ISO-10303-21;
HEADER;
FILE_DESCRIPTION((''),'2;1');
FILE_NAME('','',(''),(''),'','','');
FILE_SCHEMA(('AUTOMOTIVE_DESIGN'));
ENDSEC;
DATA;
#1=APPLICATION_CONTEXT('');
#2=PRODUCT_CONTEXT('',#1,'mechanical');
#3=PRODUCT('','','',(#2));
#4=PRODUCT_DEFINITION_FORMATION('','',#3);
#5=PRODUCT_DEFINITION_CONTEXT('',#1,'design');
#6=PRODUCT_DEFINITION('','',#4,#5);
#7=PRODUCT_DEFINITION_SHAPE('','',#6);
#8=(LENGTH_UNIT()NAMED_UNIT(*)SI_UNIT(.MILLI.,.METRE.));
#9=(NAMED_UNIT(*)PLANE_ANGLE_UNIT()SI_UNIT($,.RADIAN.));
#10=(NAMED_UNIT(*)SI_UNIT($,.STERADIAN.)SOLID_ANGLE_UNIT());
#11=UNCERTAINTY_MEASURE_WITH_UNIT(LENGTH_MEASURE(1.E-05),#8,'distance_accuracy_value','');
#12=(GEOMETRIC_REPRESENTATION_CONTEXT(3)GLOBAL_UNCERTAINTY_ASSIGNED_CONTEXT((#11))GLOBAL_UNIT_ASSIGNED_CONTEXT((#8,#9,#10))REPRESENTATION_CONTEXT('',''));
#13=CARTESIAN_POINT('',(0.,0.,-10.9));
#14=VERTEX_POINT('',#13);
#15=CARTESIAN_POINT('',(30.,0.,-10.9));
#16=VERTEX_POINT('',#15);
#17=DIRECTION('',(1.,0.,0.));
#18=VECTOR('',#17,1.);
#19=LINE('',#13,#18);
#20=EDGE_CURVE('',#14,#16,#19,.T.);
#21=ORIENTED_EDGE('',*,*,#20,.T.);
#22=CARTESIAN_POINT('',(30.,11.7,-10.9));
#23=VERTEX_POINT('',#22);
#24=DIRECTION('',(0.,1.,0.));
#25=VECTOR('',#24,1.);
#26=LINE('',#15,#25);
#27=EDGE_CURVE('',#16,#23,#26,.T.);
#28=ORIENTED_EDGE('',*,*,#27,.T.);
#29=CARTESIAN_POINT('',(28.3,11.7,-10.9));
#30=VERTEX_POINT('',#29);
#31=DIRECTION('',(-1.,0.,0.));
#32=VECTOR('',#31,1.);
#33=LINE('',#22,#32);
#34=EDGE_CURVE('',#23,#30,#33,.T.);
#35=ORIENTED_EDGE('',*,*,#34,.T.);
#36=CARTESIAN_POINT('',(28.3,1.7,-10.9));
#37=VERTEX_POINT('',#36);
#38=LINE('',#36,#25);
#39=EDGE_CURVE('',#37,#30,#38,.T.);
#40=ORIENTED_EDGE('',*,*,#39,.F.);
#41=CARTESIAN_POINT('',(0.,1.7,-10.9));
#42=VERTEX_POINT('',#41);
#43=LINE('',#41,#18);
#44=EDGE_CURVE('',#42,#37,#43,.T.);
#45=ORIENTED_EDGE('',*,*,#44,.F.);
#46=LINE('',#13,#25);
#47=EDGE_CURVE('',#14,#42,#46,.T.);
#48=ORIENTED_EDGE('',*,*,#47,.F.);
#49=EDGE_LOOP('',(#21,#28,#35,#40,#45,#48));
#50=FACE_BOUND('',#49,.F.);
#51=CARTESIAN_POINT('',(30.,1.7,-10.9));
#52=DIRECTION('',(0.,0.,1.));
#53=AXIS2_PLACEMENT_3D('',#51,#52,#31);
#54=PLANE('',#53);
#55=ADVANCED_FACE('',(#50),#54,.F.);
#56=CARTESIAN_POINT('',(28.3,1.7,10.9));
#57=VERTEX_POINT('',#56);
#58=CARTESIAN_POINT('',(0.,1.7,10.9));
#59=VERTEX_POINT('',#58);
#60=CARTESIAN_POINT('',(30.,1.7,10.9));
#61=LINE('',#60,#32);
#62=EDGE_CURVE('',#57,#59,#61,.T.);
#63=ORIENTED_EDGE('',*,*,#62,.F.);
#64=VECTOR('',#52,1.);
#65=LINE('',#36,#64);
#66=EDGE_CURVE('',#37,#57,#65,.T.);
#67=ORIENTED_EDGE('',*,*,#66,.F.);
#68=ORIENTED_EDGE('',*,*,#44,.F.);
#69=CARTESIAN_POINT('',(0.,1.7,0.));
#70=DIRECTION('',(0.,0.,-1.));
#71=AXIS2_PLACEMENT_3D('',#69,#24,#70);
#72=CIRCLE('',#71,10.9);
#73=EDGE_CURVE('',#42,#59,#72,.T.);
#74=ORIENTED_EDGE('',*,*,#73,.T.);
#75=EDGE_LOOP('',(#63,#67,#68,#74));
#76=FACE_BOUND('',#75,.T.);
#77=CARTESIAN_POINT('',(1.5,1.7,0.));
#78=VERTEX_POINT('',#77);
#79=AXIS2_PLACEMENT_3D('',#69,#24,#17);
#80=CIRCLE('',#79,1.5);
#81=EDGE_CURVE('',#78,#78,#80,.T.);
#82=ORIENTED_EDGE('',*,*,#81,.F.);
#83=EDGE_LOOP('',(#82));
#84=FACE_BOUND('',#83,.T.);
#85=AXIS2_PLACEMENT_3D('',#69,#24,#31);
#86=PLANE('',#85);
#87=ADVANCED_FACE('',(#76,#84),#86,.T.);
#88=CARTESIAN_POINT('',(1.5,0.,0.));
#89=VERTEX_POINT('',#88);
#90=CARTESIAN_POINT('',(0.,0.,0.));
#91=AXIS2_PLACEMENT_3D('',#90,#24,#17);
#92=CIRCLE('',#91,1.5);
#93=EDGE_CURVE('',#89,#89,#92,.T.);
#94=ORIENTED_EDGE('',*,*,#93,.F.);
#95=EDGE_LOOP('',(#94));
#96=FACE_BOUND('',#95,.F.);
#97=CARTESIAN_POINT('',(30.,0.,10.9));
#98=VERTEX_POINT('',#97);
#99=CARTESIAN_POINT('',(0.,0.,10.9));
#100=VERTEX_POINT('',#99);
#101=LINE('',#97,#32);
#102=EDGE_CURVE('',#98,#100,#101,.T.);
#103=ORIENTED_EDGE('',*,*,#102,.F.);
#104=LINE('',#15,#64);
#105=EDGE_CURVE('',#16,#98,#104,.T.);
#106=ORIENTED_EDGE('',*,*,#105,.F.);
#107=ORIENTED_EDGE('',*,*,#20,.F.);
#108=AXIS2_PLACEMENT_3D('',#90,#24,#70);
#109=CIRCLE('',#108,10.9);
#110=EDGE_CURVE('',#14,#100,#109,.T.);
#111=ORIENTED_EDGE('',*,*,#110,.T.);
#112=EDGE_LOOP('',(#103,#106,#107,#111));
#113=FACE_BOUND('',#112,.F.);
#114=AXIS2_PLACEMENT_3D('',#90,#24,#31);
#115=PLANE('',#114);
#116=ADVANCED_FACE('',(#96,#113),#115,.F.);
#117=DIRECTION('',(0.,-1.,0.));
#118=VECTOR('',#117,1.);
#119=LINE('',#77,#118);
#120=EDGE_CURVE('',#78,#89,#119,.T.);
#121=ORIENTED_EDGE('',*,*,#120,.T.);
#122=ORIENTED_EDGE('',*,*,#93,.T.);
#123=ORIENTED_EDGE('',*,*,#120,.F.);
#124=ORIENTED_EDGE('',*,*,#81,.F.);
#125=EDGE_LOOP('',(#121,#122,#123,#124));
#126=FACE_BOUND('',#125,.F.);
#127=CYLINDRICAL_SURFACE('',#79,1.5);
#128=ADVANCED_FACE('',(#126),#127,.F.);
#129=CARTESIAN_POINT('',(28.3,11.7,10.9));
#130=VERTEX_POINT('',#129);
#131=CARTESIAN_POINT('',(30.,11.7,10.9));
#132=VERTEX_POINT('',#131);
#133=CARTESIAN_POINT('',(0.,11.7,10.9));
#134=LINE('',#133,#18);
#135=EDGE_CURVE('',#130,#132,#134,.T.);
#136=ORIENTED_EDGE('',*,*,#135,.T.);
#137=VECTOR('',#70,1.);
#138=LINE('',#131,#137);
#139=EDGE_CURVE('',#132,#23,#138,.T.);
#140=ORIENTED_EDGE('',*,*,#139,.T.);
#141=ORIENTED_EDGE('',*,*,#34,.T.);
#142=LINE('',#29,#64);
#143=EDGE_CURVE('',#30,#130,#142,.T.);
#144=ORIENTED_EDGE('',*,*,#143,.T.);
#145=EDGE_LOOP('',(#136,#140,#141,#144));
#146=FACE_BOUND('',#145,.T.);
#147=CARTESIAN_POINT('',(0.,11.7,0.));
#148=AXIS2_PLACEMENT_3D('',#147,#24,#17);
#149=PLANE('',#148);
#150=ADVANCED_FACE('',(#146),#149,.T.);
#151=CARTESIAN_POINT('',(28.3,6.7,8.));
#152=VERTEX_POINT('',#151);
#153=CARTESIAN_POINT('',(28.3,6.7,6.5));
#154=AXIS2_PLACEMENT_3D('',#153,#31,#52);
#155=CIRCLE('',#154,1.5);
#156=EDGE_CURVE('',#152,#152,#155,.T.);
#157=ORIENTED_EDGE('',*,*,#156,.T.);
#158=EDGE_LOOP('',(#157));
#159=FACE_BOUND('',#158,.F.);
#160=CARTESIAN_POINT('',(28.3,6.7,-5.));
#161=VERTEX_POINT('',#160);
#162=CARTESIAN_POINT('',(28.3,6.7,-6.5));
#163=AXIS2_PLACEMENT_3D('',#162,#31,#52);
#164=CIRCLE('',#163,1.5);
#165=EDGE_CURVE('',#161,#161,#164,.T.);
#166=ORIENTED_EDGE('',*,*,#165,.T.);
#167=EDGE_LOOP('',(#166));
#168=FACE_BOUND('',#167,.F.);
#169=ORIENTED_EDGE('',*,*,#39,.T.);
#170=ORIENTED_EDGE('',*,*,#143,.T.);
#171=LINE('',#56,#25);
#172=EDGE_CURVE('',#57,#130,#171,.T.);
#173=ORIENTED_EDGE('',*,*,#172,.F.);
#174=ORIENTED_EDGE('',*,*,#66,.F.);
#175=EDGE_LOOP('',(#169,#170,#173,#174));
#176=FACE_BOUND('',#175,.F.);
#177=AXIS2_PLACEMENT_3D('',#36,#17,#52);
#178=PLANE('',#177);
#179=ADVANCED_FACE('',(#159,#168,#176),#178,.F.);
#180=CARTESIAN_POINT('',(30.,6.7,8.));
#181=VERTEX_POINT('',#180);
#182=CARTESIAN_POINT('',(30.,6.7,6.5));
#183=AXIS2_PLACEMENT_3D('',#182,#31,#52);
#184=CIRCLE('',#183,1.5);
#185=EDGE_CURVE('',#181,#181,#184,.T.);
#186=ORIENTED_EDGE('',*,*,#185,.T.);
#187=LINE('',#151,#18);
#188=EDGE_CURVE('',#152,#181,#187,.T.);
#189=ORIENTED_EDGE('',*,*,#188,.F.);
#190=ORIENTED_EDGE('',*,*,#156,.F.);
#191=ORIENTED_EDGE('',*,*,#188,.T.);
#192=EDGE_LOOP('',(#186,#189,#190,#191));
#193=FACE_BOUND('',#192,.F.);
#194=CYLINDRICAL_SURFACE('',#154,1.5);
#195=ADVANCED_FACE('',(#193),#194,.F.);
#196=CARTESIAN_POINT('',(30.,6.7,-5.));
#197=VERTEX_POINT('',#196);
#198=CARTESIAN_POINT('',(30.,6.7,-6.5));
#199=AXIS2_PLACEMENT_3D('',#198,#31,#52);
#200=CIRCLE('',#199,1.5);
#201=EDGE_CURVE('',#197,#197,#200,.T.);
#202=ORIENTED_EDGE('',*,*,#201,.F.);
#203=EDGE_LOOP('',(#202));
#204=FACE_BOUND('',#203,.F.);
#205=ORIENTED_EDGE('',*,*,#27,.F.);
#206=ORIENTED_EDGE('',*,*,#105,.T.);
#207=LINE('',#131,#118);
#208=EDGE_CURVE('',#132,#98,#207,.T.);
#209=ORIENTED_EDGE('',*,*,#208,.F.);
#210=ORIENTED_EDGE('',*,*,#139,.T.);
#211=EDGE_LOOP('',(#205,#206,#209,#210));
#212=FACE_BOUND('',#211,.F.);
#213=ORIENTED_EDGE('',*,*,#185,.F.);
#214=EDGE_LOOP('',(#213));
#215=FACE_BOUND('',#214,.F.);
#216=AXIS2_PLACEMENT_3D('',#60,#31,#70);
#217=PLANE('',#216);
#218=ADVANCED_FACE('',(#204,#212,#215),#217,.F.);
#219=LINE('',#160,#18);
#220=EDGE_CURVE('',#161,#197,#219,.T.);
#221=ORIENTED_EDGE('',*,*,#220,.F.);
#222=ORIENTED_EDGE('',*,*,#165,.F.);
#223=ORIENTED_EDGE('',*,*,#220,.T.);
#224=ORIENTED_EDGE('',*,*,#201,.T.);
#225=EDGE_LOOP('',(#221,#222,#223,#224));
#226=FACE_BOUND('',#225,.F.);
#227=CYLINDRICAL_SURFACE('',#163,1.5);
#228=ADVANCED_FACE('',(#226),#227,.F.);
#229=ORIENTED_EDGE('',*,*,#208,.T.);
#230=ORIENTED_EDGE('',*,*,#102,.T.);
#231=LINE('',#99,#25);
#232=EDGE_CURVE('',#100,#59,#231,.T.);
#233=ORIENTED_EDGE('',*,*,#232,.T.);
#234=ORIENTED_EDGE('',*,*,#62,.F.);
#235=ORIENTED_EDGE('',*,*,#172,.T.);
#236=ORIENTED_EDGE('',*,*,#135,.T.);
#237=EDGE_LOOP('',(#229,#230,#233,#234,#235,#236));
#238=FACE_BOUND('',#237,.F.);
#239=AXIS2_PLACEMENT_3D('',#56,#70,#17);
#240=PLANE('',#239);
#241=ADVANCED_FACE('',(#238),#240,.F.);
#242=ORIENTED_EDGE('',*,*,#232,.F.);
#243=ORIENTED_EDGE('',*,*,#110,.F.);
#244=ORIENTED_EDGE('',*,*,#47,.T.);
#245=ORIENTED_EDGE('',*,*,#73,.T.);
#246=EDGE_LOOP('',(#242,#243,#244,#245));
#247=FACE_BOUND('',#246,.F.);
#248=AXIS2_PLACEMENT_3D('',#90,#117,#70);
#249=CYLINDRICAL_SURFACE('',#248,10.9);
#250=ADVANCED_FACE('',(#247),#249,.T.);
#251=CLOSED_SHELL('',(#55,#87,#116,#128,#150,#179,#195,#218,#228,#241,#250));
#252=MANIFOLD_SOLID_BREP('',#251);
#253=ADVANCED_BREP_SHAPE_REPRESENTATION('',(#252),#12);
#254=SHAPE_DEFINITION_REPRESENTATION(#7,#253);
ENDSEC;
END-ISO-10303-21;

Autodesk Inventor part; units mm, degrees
ref_plane "YZ Plane" through (0, 0, 0) normal (1, 0, 0) x (0, 1, 0)
ref_plane "XZ Plane" through (0, 0, 0) normal (0, 1, 0) x (-1, 0, 0)
ref_plane "XY Plane" through (0, 0, 0) normal (0, 0, 1) x (1, 0, 0)
sketch "Sketch1" plane through (0, 0, 0) normal (0, 1, 0) x (-1, 0, 0)
  arc A0 (0, -10.9) -> (0, 10.9) centre (0, 0) ccw
  line L0 (0, -10.9) -> (-30, -10.9)
  line L1 (-30, -10.9) -> (-30, 10.9)
  line L2 (-30, 10.9) -> (0, 10.9)
  line L3 (0, 10.9) -> (0, -10.9) construction
  dimension "d2" = 10.9
  dimension "d3" = 30
  dimension "d4" = 30
  dimension "d5" = 21.8
extrude "Extrusion1" add sketch "Sketch1" along normal blind 1.7
sketch "Sketch2" plane through (0, 1.7, 0) normal (0, 1, 0) x (1, 0, 0)
  arc A0 (0, 10.9) -> (0, -10.9) centre (0, 0) ccw projected
  circle A1 centre (0, 0) radius 1.5
  dimension "d8" = 3
extrude "Extrusion2" cut sketch "Sketch2" against normal blind 1.7
sketch "Sketch3" plane through (0, 1.7, 0) normal (0, 1, 0) x (1, 0, 0)
  line L0 (30, 10.9) -> (0, 10.9) projected
  line L1 (0, -10.9) -> (30, -10.9) projected
  line L2 (30, 10.9) -> (28.3, 10.9)
  line L3 (28.3, 10.9) -> (28.3, -10.9)
  line L4 (28.3, -10.9) -> (30, -10.9)
  line L5 (30, -10.9) -> (30, 10.9)
  point P0 (0, 0)
  dimension "d11" = 1.7
extrude "Extrusion3" add sketch "Sketch3" along normal blind 10
sketch "Sketch4" plane through (28.3, 1.7, -10.9) normal (-1, 0, 0) x (0, 0, 1)
  circle A0 centre (4.4, 5) radius 1.5
  circle A1 centre (17.4, 5) radius 1.5
  line L0 (0, 10) -> (21.8, 10) projected
  line L1 (21.8, 0) -> (21.8, 10) projected
  point P0 (10.9, -1.7)
  dimension "d14" = 3
  dimension "d15" = 3
  dimension "d16" = 13
  dimension "d17" = 0
  dimension "d18" = 5
  dimension "d19" = 4.4
extrude "Extrusion4" cut sketch "Sketch4" against normal blind 10
equation "\"BendRadius\" = Thickness"
equation "\"BendReliefWidth\" = Thickness"
equation "\"BendReliefDepth\" = 0.5 * Thickness"
equation "\"CornerReliefSize\" = 4 * Thickness"
equation "\"MinimumRemnant\" = 2 * Thickness"
equation "\"TransitionRadius\" = BendRadius"
equation "\"JacobiRadiusSize\" = BendRadius"
equation "\"GapSize\" = Thickness"
equation "\"Thickness\" = 3.048"
properties part number "A3P3"
